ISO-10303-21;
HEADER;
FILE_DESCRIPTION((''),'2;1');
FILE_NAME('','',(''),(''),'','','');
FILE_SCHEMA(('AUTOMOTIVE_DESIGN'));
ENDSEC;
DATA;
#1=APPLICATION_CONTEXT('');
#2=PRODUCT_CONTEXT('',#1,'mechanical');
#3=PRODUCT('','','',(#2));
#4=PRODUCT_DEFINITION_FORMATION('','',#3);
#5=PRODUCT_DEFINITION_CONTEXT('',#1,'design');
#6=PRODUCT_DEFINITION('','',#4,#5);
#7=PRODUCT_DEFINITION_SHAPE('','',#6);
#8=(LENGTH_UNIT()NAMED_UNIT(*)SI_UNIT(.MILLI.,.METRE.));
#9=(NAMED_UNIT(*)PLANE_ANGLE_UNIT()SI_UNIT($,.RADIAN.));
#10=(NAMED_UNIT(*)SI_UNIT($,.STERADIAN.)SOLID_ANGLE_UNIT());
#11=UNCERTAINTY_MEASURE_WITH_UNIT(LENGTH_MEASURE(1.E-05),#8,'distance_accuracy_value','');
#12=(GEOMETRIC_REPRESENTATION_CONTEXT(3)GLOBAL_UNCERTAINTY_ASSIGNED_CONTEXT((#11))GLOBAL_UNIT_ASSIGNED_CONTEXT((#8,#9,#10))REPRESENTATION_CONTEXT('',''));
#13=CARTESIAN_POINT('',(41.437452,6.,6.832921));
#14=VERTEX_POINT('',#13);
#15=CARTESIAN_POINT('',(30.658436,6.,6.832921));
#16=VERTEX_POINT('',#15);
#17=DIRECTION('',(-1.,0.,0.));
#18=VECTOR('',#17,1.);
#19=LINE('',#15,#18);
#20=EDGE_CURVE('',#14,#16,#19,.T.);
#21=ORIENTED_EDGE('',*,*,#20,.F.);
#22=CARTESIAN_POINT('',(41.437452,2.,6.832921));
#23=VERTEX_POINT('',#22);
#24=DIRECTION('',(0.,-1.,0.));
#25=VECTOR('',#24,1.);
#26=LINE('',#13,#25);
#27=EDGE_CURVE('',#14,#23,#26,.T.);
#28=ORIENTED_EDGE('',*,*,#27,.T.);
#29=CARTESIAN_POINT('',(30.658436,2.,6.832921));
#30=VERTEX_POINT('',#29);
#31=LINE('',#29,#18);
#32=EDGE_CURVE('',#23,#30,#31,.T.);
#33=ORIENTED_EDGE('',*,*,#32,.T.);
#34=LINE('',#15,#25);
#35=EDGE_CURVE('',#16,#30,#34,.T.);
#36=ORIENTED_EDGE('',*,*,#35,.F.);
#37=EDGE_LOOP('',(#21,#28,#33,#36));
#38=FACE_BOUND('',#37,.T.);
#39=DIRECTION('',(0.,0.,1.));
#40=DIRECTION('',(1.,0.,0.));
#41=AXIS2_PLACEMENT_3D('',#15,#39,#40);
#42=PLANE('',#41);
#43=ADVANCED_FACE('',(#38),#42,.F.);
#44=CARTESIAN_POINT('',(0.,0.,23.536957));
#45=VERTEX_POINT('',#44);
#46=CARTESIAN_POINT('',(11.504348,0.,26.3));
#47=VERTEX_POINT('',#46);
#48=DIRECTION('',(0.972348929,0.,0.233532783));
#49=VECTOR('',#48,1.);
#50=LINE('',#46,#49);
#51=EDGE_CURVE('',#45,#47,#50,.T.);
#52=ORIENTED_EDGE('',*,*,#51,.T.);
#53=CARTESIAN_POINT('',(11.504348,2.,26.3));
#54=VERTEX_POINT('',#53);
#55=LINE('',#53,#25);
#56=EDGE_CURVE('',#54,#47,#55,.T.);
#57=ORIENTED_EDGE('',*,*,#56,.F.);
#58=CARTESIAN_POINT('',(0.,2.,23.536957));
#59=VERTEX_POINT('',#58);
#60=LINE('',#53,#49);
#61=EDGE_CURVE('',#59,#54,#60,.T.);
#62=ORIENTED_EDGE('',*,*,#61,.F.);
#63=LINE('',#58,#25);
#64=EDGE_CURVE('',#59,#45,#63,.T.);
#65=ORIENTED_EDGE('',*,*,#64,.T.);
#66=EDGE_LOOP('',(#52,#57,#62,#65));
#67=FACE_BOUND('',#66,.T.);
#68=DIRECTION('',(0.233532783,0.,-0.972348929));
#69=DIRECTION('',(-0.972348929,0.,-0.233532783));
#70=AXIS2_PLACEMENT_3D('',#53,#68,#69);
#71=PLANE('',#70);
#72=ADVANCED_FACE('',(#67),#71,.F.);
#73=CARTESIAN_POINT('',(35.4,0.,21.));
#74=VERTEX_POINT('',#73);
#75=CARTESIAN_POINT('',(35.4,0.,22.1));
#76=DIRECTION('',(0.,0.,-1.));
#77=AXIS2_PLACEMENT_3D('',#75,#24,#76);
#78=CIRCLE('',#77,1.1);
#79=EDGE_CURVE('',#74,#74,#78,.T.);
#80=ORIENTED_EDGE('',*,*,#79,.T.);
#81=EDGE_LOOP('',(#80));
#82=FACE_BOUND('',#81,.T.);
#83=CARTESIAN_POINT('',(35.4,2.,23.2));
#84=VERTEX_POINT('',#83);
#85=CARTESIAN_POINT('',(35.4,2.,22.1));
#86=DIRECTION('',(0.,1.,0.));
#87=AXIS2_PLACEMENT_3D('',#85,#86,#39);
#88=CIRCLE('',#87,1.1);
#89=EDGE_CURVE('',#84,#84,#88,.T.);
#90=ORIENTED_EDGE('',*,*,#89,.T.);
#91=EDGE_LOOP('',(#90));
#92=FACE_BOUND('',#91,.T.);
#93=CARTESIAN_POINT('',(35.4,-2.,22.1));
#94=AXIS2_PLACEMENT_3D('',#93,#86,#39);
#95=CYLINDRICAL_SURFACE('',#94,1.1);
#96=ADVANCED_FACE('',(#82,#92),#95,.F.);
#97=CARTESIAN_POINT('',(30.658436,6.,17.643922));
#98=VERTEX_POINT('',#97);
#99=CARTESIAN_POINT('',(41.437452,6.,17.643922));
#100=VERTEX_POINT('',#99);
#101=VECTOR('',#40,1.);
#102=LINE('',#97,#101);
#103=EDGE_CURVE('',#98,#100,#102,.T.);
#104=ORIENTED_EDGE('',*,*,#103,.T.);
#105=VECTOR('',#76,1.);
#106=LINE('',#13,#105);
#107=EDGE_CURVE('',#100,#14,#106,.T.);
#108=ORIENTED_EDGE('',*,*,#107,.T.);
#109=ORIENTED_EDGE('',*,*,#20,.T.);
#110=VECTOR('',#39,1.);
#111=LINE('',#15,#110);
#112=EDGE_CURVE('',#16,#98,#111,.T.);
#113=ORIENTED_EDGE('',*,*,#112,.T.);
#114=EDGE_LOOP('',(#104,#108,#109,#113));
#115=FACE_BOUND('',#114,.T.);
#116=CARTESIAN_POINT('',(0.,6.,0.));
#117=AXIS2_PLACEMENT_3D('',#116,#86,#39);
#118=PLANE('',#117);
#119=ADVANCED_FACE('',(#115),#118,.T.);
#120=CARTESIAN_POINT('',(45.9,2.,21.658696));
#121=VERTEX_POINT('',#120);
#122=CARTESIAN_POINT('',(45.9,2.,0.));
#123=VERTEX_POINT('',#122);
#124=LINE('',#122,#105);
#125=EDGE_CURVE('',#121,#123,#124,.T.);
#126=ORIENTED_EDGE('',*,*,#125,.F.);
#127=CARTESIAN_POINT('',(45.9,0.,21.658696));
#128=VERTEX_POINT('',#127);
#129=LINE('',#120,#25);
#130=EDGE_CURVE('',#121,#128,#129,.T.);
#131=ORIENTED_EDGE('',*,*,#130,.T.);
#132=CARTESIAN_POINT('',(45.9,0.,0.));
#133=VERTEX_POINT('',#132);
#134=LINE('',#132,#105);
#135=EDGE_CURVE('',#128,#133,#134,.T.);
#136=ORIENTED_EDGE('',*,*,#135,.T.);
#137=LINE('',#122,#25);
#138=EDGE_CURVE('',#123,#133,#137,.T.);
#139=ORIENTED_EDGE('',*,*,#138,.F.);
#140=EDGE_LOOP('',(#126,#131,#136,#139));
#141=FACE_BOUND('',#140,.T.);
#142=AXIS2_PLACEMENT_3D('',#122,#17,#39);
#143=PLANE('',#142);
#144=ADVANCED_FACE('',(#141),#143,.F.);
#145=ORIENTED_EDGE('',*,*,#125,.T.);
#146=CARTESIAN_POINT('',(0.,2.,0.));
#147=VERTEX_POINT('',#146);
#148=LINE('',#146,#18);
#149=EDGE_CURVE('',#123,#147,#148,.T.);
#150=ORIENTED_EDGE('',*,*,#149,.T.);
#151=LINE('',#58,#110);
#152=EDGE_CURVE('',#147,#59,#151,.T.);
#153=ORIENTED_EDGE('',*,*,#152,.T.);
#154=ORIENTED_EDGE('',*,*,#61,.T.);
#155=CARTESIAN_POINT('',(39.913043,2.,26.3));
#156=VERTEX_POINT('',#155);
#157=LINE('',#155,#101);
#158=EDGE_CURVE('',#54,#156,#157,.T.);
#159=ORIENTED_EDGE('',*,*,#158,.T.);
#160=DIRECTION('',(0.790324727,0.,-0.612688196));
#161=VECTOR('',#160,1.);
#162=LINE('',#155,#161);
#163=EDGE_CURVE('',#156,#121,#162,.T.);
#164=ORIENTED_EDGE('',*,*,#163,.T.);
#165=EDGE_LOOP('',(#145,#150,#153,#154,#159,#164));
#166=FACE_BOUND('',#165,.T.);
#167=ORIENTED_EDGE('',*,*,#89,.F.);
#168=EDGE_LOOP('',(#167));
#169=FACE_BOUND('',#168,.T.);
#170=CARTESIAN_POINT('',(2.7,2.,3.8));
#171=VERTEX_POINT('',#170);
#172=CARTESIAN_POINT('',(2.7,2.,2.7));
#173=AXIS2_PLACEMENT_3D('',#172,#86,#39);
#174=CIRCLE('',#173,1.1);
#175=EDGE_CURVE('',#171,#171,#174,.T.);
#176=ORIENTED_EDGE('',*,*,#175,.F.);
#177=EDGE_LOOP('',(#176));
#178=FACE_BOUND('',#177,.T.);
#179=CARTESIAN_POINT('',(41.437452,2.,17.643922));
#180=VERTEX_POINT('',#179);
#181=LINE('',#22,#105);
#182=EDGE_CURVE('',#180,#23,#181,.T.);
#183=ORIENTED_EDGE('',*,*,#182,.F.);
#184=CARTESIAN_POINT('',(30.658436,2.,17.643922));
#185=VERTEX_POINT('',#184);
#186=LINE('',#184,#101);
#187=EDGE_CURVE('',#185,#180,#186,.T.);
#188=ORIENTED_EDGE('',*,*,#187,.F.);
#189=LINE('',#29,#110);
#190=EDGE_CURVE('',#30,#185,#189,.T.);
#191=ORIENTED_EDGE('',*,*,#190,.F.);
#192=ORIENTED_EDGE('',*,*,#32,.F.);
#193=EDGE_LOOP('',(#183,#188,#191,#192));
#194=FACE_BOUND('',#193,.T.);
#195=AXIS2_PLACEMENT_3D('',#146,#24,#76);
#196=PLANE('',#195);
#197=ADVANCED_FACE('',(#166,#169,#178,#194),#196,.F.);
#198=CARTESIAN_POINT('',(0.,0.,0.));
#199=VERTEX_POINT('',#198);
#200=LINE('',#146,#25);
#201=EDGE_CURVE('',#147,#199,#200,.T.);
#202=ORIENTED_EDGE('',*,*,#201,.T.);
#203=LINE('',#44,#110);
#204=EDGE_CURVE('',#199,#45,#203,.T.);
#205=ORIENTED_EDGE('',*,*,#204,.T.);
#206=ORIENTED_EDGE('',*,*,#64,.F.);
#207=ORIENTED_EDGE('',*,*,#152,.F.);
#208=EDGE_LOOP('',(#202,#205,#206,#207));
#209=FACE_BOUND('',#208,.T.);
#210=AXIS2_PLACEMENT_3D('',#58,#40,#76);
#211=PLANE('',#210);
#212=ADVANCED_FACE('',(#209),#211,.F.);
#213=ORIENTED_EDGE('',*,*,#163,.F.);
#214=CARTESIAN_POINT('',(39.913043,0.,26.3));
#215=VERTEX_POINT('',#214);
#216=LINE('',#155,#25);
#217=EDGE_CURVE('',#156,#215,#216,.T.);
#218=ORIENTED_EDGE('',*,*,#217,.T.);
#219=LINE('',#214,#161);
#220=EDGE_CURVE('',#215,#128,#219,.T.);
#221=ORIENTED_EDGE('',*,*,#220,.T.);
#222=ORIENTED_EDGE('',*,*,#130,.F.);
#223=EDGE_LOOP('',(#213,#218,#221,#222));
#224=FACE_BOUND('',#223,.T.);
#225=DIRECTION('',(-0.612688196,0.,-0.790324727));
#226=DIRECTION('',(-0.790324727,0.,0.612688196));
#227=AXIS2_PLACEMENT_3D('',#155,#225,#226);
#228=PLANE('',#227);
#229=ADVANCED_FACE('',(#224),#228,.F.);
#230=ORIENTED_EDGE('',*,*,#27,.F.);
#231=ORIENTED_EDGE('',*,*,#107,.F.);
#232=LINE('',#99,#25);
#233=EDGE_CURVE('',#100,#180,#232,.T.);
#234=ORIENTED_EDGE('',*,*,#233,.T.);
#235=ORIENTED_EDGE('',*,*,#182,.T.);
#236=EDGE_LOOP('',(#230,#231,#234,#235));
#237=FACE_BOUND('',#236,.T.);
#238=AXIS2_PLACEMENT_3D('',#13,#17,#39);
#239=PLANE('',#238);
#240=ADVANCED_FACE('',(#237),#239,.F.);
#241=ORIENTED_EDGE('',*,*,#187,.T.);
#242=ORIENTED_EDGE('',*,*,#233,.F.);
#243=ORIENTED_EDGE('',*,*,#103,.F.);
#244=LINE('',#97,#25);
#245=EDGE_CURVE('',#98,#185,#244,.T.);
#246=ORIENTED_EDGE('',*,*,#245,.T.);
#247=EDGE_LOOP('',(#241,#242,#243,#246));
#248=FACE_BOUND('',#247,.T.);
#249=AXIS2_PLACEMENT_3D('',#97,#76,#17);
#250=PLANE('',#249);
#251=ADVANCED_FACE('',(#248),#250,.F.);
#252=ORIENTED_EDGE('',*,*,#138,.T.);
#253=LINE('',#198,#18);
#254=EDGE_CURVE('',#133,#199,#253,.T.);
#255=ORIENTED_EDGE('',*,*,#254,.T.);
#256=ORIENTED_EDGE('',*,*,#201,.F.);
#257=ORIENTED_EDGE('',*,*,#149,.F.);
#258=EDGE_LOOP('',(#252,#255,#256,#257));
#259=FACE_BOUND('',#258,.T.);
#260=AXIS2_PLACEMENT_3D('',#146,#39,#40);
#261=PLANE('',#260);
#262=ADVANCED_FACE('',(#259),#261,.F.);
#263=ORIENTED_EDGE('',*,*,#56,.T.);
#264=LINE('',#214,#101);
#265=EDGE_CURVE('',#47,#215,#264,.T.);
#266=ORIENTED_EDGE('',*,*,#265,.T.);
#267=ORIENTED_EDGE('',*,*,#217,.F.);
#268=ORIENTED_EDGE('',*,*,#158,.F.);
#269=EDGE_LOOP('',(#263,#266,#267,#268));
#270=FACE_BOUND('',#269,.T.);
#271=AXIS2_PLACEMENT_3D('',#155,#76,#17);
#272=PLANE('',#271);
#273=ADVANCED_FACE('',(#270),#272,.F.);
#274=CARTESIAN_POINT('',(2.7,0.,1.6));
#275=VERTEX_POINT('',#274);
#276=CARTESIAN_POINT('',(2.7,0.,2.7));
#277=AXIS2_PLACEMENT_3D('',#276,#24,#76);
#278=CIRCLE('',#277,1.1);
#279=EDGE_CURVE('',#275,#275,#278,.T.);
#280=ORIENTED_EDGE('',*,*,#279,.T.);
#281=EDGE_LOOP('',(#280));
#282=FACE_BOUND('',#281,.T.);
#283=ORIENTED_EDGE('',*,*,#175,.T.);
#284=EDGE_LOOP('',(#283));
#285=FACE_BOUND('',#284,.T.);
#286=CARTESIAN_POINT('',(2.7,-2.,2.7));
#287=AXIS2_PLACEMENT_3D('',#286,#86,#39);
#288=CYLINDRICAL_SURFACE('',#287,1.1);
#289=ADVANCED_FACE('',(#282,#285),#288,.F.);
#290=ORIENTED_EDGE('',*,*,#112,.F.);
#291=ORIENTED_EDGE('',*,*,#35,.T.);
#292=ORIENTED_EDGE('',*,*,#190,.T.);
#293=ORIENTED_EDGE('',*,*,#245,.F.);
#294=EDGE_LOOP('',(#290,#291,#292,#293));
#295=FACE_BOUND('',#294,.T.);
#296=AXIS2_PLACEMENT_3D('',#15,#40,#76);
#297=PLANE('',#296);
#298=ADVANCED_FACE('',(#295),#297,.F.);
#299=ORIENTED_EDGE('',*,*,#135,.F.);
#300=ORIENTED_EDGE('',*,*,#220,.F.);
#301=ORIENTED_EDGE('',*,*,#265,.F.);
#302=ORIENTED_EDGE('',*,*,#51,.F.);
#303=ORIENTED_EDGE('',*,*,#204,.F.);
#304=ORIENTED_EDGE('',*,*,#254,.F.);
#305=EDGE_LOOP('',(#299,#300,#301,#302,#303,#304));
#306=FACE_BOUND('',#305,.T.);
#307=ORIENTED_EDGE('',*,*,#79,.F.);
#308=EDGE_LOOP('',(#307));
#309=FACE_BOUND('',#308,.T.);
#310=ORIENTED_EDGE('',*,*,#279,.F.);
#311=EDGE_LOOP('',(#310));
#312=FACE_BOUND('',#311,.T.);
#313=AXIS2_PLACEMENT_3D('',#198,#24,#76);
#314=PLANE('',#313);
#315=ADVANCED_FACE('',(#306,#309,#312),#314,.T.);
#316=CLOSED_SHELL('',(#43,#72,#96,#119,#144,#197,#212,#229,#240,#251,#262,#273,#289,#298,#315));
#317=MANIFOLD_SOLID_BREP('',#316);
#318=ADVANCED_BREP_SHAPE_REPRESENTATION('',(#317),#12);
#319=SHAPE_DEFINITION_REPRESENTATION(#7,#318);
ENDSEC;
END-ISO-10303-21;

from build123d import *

# Parameters (mm, degrees)
EXTRUDE_2_DEPTH     = 2
SKETCH_2_W          = 10.779016103
SKETCH_2_H          = 10.811001315
EXTRUDE_3_DEPTH     = 4
SKETCH_3_R          = 1.1
CUT_EXTRUDE_1_DEPTH = 4


with BuildPart() as part:
    # 草图1 → 凸台-拉伸2 (new body)
    with BuildSketch(Plane(origin=(0, 0, 0), x_dir=(1, 0, 0), z_dir=(0, 1, 0))):
        Polygon((0, 0), (45.9, 0), (45.9, -21.658695652), (39.913043478, -26.3), (11.504347826, -26.3), (0, -23.536956522), align=None)
    extrude(amount=EXTRUDE_2_DEPTH)

    # 草图2 → 凸台-拉伸3 (add)
    with BuildSketch(Plane(origin=(0, 2, 0), x_dir=(1, 0, 0), z_dir=(0, 1, 0))):
        with Locations((36.047943901, -12.238421487)):
            Rectangle(SKETCH_2_W, SKETCH_2_H)
    extrude(amount=EXTRUDE_3_DEPTH)

    # 草图3 → 切除-拉伸1 (cut)
    with BuildSketch(Plane(origin=(0, 2, 0), x_dir=(1, 0, 0), z_dir=(0, 1, 0))):
        with Locations(Location((2.7, -2.7, 0), (0, 0, 270))):
            Circle(SKETCH_3_R)
        with Locations(Location((35.4, -22.1, 0), (0, 0, 270))):
            Circle(SKETCH_3_R)
    extrude(amount=-CUT_EXTRUDE_1_DEPTH, mode=Mode.SUBTRACT)


solid = part.part
